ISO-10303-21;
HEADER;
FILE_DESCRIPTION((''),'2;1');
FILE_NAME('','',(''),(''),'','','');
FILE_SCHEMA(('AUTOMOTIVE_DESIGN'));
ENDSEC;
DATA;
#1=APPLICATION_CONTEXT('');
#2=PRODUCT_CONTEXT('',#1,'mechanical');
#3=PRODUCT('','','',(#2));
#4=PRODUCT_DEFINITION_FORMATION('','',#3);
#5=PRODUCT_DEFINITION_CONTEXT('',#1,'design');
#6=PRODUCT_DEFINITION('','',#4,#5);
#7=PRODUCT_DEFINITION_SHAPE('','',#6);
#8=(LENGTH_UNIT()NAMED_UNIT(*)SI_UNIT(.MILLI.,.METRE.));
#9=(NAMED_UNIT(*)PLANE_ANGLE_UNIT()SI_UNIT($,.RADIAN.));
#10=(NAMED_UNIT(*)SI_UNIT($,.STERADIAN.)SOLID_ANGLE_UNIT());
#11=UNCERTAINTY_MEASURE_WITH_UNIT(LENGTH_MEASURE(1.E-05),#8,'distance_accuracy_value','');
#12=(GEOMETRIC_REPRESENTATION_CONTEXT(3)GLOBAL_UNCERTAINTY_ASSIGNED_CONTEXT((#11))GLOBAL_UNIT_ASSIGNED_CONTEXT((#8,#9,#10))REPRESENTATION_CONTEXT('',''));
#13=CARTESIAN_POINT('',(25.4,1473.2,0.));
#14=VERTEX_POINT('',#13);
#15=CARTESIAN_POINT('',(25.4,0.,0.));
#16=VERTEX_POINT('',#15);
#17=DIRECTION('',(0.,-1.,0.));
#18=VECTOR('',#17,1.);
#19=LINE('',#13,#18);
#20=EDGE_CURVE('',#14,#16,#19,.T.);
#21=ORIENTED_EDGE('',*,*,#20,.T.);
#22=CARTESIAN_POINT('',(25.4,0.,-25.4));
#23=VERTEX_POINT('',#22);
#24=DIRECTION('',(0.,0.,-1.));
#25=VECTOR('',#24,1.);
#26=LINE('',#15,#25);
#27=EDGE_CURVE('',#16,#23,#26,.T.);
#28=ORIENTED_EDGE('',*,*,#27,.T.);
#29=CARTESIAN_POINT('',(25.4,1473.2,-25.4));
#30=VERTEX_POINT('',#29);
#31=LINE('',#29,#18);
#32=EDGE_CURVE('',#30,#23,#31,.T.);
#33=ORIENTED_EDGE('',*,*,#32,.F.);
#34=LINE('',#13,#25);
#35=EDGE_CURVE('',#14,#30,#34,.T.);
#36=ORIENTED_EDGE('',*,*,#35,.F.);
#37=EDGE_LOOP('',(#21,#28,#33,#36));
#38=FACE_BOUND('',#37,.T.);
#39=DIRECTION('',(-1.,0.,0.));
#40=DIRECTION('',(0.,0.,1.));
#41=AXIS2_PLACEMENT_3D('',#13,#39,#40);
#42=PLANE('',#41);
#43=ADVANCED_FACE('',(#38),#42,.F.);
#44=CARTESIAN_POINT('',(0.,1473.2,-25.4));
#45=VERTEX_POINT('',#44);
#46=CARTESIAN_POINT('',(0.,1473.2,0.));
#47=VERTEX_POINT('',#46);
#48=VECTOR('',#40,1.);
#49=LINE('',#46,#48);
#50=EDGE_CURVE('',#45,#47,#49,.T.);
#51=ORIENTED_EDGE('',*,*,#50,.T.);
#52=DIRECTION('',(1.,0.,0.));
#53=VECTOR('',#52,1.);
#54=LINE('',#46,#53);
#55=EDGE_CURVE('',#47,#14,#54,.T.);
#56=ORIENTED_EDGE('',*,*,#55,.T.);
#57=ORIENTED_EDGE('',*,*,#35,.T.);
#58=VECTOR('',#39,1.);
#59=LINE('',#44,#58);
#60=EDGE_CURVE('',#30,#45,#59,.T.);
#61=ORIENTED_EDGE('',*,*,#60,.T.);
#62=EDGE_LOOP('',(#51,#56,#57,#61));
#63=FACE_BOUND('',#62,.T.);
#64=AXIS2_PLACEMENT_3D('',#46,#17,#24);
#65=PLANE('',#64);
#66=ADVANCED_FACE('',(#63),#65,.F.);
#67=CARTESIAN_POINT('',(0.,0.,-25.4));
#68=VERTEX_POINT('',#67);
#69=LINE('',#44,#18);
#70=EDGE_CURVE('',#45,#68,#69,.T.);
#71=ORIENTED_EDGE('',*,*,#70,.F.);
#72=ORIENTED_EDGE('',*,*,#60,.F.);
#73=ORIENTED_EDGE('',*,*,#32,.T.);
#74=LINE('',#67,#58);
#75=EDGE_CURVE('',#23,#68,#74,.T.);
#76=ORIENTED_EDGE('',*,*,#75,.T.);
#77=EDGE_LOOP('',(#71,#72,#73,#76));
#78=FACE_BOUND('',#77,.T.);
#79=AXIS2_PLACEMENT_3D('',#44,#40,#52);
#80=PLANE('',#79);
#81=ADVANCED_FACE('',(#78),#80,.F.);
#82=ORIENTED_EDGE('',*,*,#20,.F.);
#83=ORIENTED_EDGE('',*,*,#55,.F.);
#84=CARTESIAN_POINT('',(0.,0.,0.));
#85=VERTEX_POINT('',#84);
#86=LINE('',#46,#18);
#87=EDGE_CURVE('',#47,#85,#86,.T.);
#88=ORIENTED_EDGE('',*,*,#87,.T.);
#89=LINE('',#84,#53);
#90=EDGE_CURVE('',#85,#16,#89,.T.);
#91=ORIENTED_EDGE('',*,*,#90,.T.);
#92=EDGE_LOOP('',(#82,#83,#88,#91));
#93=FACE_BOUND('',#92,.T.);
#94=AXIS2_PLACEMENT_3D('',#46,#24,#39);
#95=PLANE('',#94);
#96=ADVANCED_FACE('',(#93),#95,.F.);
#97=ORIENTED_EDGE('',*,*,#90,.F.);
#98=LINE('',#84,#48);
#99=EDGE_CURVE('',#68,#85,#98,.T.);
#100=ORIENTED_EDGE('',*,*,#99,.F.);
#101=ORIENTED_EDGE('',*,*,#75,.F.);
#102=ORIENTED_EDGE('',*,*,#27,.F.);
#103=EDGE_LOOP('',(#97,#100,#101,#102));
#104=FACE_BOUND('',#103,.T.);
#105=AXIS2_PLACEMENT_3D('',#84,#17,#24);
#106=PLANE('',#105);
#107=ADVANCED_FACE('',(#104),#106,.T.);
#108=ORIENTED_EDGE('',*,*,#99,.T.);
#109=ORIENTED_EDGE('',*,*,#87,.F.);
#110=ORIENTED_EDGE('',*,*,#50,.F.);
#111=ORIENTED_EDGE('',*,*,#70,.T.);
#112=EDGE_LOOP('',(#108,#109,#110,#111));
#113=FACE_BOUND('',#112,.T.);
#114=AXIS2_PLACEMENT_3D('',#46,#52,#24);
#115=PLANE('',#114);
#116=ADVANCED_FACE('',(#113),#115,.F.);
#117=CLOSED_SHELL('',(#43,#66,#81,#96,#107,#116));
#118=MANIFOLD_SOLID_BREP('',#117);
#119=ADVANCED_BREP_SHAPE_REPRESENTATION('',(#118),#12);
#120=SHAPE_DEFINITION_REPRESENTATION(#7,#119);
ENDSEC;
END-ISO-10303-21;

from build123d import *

# Parameters (mm, degrees)
SKETCH1_W           = 25.4
SKETCH1_H           = 25.4
BOSS_EXTRUDE1_DEPTH = 1473.2


with BuildPart() as part:
    # Sketch1 → Boss-Extrude1 (new body)
    with BuildSketch(Plane(origin=(0, 0, 0), x_dir=(1, 0, 0), z_dir=(0, 1, 0))):
        with Locations((12.7, 12.7)):
            Rectangle(SKETCH1_W, SKETCH1_H)
    extrude(amount=BOSS_EXTRUDE1_DEPTH)


solid = part.part
